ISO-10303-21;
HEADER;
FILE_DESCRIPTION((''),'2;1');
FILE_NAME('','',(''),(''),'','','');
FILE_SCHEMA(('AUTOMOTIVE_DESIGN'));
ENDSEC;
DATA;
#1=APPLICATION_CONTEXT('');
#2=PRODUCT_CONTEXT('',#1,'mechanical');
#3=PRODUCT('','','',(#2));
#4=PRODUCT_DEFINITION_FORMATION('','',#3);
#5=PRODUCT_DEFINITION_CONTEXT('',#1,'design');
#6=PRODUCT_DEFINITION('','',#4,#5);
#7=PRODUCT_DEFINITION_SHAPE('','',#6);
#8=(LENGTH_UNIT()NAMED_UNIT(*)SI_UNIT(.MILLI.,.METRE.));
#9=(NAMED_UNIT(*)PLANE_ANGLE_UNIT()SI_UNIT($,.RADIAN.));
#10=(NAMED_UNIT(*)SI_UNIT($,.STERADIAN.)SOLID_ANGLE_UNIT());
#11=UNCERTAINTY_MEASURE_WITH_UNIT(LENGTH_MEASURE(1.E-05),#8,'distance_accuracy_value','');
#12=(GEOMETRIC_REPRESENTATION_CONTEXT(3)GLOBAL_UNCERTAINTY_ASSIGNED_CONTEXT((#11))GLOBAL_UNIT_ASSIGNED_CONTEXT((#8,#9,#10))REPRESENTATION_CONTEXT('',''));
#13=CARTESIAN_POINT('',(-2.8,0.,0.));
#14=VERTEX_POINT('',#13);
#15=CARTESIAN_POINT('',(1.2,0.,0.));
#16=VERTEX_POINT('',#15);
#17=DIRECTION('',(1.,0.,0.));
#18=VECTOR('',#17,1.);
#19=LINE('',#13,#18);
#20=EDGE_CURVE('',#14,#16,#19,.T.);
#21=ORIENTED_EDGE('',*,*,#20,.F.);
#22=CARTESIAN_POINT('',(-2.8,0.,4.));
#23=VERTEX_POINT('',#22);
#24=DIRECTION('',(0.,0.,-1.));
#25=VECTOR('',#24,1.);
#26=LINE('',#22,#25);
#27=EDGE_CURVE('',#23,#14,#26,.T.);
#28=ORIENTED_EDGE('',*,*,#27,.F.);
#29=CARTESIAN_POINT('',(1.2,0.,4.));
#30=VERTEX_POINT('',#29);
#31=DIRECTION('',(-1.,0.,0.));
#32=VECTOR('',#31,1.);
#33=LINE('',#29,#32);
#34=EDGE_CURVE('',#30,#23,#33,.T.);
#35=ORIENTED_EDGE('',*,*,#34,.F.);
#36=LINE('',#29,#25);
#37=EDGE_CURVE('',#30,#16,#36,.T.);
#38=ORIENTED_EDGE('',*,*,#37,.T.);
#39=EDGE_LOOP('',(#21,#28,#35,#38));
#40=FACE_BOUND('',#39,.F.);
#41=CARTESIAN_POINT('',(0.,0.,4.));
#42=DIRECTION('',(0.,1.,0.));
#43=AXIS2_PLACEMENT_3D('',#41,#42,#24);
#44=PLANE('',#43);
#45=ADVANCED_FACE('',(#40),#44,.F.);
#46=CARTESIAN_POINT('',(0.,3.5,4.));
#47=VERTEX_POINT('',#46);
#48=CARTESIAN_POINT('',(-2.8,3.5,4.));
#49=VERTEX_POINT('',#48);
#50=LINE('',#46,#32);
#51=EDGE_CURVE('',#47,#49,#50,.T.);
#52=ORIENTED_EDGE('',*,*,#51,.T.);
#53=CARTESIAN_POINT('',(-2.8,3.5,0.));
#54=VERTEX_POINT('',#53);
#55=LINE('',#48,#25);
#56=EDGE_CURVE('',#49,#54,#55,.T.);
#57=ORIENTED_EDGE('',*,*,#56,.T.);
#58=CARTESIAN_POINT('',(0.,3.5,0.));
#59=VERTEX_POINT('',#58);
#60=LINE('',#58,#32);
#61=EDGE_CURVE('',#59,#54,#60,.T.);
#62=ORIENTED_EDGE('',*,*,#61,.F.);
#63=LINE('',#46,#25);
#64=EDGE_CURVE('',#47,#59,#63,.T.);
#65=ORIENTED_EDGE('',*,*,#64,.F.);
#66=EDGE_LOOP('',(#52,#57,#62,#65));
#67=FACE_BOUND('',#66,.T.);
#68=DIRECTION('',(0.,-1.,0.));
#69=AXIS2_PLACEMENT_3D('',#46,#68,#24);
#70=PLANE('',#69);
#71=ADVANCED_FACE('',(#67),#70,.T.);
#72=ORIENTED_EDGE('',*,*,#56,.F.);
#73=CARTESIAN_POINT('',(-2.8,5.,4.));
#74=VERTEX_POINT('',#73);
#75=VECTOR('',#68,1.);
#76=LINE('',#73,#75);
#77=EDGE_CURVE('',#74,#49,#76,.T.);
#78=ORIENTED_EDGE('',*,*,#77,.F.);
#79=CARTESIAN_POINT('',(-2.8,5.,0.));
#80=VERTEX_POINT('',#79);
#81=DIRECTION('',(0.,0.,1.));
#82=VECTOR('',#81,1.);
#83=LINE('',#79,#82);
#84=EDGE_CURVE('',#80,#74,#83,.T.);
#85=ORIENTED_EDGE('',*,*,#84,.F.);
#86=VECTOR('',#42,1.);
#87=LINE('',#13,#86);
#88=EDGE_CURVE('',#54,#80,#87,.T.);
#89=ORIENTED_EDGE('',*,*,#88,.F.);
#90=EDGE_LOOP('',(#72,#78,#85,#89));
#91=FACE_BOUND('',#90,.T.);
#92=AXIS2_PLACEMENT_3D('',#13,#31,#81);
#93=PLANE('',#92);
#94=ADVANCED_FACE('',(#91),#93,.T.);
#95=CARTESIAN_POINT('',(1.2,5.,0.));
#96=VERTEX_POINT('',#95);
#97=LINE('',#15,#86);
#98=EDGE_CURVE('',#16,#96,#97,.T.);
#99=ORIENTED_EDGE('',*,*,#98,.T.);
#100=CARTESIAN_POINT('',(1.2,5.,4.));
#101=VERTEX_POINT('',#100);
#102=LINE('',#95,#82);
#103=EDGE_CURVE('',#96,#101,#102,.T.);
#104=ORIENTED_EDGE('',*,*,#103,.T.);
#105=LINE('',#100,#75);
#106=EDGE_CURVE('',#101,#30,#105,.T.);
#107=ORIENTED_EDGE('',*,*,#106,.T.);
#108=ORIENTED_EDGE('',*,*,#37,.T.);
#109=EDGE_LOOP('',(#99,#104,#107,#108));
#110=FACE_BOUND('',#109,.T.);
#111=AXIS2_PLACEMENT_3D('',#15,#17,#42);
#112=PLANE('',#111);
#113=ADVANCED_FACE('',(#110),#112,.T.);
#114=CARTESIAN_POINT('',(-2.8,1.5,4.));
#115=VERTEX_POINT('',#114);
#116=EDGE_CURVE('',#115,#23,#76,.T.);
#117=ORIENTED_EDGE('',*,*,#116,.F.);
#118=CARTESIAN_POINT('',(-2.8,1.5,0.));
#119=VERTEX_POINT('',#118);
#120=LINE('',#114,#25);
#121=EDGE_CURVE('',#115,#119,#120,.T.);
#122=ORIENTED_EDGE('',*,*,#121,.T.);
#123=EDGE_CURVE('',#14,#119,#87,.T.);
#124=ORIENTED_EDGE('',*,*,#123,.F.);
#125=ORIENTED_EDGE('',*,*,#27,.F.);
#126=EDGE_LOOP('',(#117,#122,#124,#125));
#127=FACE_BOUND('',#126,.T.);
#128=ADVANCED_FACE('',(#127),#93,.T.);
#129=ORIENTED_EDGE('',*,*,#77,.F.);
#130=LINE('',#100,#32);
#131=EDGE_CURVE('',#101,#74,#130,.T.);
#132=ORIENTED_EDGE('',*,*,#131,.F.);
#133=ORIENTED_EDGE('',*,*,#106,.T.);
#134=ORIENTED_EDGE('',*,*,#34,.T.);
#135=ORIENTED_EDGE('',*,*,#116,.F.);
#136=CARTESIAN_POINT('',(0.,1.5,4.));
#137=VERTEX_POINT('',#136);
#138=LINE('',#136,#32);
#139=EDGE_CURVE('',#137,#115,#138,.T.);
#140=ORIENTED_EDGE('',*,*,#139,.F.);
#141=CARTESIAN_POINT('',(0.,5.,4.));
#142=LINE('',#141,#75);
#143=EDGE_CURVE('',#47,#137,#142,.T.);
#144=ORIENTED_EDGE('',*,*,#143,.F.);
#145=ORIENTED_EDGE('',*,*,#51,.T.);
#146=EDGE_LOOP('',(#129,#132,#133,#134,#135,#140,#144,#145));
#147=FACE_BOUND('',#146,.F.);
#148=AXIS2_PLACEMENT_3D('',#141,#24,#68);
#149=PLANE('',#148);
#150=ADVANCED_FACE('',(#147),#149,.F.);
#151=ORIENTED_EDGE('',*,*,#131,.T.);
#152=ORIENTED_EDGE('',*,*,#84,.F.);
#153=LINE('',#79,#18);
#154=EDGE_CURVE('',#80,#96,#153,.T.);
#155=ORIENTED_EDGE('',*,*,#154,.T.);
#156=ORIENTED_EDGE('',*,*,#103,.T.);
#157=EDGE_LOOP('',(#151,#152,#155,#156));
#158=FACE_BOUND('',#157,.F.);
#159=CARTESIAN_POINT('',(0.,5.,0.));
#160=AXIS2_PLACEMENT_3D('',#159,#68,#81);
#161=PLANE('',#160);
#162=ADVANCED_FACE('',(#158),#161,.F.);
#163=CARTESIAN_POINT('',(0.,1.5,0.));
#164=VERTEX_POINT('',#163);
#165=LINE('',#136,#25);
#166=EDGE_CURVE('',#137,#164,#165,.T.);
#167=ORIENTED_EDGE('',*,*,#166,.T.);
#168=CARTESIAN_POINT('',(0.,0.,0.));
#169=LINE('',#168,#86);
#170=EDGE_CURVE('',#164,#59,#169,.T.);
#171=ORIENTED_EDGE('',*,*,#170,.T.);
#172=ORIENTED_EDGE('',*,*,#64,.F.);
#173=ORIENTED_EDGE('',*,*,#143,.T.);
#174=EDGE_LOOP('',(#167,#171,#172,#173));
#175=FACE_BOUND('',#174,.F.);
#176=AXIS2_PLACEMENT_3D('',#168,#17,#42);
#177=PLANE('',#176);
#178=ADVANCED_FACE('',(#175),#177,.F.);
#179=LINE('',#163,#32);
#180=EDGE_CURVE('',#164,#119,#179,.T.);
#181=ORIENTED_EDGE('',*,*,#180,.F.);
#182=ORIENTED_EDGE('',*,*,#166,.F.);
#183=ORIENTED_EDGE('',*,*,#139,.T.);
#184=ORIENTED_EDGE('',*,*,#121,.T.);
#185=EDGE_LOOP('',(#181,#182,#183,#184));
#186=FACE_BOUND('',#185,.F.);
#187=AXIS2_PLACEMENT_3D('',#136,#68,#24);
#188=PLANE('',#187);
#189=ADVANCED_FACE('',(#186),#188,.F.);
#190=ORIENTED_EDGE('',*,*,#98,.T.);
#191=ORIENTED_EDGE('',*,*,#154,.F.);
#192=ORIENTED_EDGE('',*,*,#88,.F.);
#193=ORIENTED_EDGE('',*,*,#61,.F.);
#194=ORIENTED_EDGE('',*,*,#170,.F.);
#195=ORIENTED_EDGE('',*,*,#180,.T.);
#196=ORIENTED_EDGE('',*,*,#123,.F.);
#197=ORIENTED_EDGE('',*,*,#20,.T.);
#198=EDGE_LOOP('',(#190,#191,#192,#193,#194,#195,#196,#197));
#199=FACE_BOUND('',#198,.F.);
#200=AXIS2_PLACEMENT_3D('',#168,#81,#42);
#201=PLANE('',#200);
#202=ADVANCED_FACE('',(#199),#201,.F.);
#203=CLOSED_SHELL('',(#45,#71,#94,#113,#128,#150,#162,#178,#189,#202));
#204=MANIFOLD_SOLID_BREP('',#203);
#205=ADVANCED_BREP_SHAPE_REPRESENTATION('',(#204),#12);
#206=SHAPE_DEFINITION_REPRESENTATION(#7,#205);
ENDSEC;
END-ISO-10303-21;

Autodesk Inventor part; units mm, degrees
ref_plane "YZ Plane" through (0, 0, 0) normal (1, 0, 0) x (0, 1, 0)
ref_plane "XZ Plane" through (0, 0, 0) normal (0, 1, 0) x (-1, 0, 0)
ref_plane "XY Plane" through (0, 0, 0) normal (0, 0, 1) x (1, 0, 0)
sketch "Skizze1" plane through (0, 0, 0) normal (1, 0, 0) x (0, 1, 0)
  line L0 (0, 0) -> (5, 0)
  line L1 (5, 0) -> (5, 4)
  line L2 (5, 4) -> (0, 4)
  line L3 (0, 4) -> (0, 0)
  dimension "d0" = 5
  dimension "d1" = 4
extrude "Extrusion1" add sketch "Skizze1" along normal blind 1.2
sketch "Skizze2" plane through (0, 0, 0) normal (-1, 0, 0) x (0, 0, 1)
  line L0 (0, 0) -> (0, 5) projected
  line L1 (4, 0) -> (0, 0) projected
  line L2 (4, 5) -> (4, 0) projected
  line L3 (0, 5) -> (4, 5) projected
  line L4 (4, 3.5) -> (0, 3.5)
  line L5 (4, 1.5) -> (0, 1.5)
  dimension "d4" = 1.5
  dimension "d5" = 1.5
extrude "Extrusion2" add sketch "Skizze2" along normal blind 2.8 contours L0 L5 L2 L1 | L0 L3 L2 L4
properties part number "EE-SX1131"
